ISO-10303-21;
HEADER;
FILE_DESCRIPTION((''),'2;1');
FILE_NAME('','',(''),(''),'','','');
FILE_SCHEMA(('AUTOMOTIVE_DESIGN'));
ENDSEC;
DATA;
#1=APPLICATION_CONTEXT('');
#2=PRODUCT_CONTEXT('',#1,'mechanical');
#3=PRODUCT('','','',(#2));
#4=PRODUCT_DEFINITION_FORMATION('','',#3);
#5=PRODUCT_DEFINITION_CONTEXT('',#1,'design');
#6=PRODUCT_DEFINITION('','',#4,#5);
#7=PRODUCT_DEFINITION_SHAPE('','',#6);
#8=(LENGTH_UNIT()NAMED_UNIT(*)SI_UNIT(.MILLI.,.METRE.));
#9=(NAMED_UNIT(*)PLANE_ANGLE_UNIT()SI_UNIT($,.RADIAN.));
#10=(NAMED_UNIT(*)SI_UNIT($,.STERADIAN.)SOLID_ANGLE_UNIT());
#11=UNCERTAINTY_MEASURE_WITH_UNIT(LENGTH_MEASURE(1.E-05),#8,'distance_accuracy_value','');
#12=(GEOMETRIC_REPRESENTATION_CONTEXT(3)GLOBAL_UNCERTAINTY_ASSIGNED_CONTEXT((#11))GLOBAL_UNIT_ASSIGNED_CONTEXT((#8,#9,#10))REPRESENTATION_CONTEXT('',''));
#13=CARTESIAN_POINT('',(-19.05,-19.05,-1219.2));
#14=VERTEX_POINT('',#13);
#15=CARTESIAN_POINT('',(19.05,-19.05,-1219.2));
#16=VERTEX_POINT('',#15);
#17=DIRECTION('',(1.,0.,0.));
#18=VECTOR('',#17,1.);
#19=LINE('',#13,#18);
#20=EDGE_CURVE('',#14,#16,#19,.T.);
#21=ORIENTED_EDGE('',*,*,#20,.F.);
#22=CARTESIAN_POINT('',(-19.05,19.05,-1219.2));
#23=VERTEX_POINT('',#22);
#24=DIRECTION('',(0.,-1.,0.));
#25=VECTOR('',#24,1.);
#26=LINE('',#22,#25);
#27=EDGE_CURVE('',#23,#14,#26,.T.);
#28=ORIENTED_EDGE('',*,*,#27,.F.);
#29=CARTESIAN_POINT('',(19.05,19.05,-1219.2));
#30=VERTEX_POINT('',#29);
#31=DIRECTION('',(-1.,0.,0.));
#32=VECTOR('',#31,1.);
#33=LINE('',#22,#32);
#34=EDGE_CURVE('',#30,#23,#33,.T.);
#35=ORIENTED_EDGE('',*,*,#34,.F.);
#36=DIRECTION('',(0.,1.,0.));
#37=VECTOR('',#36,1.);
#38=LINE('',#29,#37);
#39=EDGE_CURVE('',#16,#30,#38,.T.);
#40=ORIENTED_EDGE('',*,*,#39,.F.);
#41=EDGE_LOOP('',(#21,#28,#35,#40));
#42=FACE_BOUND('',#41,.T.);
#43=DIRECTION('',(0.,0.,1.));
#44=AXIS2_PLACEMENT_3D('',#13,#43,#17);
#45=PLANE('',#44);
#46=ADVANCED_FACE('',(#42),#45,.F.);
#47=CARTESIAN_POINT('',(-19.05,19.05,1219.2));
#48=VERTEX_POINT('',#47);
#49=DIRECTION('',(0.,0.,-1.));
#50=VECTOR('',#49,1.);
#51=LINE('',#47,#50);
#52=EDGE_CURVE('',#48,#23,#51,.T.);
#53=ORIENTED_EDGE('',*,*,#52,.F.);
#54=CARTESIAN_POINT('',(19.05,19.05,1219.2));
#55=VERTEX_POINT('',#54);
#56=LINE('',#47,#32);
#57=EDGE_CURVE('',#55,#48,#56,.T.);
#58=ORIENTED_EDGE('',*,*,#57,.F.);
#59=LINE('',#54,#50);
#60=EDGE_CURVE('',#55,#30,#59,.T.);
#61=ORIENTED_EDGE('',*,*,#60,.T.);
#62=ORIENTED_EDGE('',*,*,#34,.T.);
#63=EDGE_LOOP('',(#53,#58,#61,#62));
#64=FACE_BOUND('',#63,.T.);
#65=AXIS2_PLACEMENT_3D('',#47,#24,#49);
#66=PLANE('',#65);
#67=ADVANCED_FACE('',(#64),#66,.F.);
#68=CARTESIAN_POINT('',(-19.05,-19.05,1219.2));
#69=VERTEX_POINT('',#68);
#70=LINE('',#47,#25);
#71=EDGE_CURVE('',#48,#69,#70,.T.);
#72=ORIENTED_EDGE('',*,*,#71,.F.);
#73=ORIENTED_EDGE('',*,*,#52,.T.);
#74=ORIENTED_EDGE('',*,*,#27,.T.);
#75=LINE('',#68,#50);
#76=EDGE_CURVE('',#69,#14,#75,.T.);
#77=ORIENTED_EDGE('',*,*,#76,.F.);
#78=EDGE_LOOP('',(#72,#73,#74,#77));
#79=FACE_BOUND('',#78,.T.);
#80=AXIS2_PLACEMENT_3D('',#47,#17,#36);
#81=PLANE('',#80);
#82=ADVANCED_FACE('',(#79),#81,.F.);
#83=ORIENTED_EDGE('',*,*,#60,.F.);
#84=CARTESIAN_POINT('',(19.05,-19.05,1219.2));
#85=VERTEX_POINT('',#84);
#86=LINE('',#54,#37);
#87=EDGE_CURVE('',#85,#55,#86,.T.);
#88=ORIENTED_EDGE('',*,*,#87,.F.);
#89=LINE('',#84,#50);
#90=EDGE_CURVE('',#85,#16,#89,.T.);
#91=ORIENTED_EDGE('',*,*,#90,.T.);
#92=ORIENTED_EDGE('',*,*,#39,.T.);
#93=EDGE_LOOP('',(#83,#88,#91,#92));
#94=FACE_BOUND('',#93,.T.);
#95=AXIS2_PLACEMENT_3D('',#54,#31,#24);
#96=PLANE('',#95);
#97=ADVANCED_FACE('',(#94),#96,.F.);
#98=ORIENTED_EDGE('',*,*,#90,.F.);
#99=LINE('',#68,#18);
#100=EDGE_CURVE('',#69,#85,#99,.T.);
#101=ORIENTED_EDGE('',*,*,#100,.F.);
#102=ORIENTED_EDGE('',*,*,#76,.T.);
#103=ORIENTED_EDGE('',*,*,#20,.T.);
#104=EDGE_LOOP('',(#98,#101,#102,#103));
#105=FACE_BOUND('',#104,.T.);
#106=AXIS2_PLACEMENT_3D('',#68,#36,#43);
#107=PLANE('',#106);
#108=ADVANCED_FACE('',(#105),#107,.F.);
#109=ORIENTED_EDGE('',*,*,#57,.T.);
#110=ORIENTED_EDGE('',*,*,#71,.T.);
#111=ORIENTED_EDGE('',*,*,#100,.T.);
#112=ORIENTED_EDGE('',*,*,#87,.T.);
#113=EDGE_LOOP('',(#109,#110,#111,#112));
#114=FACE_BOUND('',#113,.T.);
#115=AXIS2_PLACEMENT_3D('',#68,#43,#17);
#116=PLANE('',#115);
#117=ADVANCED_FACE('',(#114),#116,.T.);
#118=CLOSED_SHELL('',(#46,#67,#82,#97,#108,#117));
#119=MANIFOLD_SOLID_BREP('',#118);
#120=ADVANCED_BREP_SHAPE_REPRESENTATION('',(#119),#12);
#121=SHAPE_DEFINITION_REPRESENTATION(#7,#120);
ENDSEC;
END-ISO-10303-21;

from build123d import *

# Parameters (mm, degrees)
SKETCH1_W      = 38.1
SKETCH1_H      = 38.1
EXTRUDE1_DEPTH = 1219.2


with BuildPart() as part:
    # Sketch1 → Extrude1 (new, symmetric)
    with BuildSketch(Plane.XY):
        Rectangle(SKETCH1_W, SKETCH1_H)
    extrude(amount=EXTRUDE1_DEPTH, both=True)


solid = part.part
